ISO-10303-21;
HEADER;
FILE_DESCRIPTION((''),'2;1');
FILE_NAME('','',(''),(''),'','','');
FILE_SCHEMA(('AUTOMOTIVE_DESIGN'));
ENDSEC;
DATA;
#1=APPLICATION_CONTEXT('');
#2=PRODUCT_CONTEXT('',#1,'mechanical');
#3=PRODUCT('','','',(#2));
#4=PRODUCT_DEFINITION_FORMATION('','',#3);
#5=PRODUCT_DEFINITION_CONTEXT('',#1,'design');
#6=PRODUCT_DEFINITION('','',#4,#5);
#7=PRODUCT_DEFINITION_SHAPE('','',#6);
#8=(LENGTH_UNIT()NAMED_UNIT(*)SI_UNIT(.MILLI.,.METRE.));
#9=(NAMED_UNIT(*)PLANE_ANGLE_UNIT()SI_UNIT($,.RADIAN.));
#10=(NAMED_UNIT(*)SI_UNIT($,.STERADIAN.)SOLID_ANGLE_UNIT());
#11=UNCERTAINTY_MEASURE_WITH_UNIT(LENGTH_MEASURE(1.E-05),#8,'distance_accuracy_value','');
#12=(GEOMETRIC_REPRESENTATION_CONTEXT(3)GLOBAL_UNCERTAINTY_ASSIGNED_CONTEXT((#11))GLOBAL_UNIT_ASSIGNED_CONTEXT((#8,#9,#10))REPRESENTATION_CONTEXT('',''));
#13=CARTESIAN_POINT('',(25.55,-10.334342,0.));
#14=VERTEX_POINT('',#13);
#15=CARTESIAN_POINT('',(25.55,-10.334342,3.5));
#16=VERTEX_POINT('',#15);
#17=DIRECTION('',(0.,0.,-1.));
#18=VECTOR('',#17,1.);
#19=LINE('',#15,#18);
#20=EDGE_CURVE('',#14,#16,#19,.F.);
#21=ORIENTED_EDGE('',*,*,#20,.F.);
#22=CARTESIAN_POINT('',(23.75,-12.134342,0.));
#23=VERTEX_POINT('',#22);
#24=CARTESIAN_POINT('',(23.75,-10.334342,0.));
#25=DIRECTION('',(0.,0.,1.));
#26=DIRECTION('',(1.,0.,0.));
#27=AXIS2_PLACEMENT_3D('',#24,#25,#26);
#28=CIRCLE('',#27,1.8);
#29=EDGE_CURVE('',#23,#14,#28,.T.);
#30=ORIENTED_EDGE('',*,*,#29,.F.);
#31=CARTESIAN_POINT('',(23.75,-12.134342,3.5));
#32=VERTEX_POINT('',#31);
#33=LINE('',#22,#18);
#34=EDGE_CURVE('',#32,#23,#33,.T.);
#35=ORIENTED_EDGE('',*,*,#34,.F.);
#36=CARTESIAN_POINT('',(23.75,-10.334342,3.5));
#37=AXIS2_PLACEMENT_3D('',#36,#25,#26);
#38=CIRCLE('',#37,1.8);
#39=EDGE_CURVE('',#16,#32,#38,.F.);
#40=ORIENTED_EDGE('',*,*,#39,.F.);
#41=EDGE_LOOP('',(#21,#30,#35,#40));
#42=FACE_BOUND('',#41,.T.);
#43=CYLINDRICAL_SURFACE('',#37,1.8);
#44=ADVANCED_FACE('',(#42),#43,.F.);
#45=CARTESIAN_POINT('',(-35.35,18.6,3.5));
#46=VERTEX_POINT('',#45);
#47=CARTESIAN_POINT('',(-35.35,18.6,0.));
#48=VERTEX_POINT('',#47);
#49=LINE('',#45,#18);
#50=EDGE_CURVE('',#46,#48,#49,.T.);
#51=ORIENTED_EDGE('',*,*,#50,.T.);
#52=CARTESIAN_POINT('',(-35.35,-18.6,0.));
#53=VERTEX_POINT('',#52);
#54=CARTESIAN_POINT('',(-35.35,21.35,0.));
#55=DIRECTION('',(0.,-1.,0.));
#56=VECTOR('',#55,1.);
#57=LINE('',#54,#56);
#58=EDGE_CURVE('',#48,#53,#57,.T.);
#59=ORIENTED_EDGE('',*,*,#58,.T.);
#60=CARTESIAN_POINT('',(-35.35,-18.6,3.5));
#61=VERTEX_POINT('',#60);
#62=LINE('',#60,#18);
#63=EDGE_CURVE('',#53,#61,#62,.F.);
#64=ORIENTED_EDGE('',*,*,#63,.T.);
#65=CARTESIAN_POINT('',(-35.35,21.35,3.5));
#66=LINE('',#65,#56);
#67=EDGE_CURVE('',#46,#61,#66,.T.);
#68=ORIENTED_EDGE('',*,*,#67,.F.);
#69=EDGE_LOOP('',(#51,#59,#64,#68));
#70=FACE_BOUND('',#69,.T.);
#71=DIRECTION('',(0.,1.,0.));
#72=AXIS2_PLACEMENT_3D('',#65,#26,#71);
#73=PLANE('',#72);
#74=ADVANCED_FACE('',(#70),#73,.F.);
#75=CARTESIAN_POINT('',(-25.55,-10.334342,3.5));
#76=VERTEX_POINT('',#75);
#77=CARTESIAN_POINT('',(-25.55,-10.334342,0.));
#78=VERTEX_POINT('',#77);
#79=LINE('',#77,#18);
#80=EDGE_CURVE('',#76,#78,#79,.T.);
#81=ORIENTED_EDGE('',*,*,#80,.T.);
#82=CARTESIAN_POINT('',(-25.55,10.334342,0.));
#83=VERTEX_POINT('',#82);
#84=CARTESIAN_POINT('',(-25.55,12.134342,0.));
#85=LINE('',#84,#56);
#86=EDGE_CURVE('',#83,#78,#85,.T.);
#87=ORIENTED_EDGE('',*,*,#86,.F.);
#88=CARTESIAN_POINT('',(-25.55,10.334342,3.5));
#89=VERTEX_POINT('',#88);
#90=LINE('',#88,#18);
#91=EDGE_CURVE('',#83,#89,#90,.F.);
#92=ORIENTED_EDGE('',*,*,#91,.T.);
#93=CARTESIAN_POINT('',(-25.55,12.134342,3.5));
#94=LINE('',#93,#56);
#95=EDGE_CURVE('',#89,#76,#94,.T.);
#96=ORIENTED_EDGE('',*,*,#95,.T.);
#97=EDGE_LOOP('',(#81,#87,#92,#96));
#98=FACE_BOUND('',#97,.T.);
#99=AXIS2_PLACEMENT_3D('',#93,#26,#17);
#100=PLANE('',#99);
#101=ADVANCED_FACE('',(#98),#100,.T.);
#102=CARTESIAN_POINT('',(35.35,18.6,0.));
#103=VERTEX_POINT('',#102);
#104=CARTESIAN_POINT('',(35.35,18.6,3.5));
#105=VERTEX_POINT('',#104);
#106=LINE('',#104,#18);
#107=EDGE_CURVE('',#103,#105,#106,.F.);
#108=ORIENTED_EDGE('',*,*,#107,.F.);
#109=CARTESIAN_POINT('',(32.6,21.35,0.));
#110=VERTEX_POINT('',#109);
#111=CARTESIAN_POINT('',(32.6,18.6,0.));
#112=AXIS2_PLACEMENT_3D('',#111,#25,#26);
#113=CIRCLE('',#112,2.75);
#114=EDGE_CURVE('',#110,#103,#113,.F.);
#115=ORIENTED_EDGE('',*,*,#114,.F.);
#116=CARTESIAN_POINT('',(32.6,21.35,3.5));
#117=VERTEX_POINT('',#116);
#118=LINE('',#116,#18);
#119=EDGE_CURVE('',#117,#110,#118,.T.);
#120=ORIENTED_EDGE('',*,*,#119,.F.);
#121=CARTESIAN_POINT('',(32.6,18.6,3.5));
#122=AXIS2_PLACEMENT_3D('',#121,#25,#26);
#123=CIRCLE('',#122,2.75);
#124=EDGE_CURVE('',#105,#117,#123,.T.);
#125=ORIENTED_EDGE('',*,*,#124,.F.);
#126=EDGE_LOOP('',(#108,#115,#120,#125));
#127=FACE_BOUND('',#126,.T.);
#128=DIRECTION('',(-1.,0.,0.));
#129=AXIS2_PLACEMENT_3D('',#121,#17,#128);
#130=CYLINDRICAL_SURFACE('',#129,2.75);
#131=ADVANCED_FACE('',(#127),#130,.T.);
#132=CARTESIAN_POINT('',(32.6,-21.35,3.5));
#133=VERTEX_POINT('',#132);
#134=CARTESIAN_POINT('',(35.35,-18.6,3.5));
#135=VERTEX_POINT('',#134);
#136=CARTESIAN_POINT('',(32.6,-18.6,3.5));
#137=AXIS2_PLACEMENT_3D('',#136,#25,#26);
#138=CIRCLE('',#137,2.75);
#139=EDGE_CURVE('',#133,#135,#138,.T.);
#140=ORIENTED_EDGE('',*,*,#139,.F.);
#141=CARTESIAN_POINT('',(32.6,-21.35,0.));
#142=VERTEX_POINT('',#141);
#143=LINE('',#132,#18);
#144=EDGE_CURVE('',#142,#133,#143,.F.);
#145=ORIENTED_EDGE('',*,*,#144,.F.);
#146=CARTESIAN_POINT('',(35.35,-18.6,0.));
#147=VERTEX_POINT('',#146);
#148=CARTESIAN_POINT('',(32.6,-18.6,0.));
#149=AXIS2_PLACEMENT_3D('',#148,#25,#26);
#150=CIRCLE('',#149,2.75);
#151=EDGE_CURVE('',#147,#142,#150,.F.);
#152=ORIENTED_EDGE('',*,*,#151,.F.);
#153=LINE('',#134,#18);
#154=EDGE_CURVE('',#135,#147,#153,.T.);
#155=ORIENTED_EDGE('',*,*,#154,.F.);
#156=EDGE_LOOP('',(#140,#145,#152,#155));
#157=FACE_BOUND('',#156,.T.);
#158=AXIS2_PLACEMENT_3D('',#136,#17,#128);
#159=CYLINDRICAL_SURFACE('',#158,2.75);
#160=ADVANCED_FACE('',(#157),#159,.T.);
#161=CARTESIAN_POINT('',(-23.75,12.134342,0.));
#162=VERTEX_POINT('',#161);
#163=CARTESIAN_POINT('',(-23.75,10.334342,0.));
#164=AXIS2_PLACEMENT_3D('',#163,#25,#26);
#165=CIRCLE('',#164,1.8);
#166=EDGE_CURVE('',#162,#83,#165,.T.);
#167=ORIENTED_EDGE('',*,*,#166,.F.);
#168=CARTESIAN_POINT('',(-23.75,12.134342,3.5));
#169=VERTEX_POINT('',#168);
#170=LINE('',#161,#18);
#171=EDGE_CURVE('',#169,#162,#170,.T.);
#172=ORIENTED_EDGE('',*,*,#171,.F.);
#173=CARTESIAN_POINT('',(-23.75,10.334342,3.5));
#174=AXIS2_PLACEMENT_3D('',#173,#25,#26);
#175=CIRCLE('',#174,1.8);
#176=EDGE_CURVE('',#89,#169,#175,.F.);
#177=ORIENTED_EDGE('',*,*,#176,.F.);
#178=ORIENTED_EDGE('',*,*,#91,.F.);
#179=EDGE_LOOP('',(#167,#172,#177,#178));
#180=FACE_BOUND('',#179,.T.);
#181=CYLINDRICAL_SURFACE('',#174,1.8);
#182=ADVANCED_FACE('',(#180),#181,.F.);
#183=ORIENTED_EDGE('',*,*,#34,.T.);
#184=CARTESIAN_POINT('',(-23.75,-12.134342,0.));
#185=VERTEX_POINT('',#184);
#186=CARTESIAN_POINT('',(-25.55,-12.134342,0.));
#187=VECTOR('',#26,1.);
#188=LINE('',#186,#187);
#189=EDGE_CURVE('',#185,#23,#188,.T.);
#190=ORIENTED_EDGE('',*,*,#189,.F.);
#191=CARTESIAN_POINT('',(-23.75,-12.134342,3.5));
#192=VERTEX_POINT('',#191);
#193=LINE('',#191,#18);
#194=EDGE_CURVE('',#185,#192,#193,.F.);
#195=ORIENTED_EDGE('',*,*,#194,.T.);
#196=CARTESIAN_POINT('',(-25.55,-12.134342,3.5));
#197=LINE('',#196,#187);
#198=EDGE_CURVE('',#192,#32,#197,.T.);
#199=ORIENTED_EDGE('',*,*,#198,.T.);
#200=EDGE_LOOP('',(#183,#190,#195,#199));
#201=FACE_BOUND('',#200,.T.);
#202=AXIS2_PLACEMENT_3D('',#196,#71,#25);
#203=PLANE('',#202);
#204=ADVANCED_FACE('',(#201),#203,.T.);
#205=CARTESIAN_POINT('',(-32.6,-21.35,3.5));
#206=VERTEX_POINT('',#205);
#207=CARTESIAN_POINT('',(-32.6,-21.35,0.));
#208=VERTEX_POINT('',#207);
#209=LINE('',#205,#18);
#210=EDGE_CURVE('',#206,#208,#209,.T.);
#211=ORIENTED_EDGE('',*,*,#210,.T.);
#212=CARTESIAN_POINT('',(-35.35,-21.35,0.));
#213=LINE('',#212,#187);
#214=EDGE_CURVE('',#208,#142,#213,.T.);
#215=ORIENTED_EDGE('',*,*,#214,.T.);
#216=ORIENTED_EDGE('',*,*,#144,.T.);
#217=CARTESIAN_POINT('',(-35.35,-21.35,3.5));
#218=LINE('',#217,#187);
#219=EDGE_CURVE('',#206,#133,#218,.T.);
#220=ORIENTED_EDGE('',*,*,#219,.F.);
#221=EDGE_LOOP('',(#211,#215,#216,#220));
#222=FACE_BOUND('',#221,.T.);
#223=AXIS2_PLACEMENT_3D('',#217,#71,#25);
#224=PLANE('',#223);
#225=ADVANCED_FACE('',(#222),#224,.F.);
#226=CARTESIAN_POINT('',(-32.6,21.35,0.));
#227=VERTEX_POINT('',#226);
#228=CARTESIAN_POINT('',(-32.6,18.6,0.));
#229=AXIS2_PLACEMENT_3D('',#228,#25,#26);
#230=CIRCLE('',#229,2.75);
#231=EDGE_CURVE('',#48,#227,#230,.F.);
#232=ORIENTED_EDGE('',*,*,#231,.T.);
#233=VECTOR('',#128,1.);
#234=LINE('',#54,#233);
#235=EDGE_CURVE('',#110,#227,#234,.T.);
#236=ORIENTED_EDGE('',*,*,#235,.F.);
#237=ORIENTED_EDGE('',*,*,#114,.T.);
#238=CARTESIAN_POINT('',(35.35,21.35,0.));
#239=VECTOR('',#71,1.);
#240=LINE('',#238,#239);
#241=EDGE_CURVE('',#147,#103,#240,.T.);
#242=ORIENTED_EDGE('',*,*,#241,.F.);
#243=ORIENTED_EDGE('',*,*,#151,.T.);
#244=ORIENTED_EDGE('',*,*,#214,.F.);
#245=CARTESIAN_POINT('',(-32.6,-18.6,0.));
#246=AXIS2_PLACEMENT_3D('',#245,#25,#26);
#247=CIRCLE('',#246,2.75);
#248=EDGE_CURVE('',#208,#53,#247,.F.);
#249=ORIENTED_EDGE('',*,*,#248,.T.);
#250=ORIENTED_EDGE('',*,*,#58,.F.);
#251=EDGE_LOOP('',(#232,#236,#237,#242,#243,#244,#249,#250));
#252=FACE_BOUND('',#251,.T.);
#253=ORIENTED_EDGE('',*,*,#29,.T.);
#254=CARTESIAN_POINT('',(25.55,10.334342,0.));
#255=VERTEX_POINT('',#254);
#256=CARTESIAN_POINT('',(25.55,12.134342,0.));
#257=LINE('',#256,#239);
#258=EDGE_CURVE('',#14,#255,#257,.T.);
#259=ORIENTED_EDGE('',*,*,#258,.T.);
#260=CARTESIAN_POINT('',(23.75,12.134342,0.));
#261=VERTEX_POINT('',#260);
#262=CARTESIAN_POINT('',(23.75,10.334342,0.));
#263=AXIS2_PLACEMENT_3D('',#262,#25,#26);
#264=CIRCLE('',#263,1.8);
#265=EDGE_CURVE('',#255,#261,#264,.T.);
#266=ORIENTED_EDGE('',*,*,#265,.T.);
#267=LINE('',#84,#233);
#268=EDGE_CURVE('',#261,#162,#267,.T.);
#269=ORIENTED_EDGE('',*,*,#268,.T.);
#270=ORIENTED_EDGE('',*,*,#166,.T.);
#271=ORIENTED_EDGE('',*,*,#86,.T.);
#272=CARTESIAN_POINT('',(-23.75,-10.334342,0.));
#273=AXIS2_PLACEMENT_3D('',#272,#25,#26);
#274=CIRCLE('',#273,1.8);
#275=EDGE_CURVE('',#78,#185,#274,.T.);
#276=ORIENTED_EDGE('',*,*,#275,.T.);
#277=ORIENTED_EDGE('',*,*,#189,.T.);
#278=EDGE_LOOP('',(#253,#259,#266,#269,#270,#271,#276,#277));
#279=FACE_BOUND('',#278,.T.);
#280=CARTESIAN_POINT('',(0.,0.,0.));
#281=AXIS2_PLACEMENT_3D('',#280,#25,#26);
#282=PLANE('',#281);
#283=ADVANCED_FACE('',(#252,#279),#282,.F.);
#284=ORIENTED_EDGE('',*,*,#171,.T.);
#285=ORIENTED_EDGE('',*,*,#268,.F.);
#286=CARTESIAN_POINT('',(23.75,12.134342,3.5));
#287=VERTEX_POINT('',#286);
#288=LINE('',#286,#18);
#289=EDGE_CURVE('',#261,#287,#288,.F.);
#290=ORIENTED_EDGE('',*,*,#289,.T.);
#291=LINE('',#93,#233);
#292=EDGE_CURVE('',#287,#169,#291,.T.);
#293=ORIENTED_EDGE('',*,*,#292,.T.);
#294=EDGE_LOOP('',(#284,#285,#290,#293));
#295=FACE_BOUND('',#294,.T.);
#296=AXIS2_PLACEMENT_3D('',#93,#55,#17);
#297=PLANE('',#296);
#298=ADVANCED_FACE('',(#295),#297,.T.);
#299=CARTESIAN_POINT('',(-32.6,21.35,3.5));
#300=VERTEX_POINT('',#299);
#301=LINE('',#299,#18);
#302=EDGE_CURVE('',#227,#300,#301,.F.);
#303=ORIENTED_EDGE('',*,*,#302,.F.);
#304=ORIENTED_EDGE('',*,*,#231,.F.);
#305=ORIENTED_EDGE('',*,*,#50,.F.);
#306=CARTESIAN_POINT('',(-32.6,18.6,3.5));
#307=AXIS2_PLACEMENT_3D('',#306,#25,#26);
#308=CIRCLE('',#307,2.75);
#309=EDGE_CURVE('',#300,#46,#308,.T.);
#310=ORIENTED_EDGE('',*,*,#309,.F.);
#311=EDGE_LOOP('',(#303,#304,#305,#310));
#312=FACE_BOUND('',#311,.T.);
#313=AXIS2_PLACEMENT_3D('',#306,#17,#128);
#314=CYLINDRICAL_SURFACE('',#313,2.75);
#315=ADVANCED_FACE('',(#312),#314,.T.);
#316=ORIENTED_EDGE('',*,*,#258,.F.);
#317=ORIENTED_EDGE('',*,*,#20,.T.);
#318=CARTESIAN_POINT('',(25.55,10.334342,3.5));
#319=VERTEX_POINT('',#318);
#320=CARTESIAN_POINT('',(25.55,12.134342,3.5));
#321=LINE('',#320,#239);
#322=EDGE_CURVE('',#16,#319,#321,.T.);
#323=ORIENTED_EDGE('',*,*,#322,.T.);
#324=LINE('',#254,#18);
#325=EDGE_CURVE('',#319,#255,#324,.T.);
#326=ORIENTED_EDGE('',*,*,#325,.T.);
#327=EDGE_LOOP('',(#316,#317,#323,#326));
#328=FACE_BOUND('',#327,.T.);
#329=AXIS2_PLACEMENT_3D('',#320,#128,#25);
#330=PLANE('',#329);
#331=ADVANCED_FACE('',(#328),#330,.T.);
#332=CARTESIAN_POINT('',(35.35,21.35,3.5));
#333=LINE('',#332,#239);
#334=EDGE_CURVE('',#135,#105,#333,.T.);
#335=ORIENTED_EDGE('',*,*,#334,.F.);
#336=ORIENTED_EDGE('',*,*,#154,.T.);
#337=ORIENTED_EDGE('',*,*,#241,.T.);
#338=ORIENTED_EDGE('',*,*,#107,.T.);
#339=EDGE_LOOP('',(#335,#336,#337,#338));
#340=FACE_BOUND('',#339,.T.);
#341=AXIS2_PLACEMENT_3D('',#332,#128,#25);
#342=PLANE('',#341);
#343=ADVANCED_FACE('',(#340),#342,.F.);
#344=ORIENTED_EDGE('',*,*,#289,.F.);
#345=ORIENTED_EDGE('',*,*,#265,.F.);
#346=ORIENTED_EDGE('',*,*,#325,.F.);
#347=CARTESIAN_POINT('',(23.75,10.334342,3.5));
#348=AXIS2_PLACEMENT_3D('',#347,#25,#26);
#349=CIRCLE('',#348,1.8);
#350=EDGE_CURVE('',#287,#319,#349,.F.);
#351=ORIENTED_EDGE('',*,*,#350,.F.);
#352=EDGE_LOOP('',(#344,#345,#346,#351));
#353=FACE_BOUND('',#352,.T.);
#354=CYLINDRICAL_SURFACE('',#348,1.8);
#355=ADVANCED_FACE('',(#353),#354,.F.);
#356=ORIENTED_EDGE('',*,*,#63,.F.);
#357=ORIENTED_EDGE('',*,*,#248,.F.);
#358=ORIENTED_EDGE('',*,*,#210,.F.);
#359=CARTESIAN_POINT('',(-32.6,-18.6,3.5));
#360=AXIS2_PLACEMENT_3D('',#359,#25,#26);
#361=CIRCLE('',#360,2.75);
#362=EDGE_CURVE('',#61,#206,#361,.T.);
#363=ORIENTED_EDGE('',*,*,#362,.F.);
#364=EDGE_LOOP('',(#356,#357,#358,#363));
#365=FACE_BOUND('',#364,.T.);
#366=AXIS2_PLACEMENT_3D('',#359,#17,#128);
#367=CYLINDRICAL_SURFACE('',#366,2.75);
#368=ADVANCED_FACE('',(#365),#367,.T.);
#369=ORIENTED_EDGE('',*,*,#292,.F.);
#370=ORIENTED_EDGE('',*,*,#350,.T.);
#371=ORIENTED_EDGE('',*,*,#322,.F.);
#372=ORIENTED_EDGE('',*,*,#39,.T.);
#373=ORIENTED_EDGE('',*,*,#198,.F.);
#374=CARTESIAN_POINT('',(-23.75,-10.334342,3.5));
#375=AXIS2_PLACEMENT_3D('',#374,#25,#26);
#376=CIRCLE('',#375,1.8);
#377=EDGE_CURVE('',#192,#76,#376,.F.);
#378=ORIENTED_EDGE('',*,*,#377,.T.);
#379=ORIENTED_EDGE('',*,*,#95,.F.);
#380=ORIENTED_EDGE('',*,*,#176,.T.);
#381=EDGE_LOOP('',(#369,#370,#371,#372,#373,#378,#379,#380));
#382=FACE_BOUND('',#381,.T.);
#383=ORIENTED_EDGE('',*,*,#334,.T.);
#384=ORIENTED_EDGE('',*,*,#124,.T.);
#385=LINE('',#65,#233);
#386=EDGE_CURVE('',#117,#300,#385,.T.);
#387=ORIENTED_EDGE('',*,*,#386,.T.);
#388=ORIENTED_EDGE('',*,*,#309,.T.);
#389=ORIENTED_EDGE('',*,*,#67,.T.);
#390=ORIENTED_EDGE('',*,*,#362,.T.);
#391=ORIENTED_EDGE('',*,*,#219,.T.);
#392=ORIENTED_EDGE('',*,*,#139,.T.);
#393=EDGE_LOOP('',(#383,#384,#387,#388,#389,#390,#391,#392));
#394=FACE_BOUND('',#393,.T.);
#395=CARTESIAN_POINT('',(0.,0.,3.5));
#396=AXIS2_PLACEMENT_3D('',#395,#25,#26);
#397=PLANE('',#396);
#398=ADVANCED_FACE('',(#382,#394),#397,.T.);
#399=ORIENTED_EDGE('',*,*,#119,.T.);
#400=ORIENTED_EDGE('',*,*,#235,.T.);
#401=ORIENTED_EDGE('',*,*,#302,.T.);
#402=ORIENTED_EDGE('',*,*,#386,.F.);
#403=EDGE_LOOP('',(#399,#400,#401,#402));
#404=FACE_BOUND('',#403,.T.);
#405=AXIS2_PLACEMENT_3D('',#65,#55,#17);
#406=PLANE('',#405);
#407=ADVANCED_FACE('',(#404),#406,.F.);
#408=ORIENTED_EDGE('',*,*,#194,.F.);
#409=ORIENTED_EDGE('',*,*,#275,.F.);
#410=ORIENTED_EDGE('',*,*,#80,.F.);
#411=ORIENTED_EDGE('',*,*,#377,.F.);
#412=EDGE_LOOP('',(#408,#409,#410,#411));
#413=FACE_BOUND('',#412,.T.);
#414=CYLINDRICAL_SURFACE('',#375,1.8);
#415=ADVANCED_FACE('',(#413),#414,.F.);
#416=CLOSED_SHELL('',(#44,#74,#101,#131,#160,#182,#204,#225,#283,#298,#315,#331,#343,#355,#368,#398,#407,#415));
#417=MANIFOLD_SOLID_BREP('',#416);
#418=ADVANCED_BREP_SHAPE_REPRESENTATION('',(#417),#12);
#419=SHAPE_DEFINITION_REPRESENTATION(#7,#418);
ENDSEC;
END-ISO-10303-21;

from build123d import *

# Parameters (mm, degrees)
SKETCH1_W           = 70.7
SKETCH1_H           = 42.7
SKETCH1_W_2         = 51.1
SKETCH1_H_2         = 24.268683634
BOSS_EXTRUDE1_DEPTH = 3.5
FILLET1_R           = 2.75
FILLET2_R           = 1.8


with BuildPart() as part:
    # Sketch1 → Boss-Extrude1 (new body)
    with BuildSketch(Plane.XY):
        Rectangle(SKETCH1_W, SKETCH1_H)
        Rectangle(SKETCH1_W_2, SKETCH1_H_2, mode=Mode.SUBTRACT)
    extrude(amount=BOSS_EXTRUDE1_DEPTH)

    # Fillet1
    fillet1_edges = [part.edges().sort_by_distance(p)[0] for p in [
        (35.35, -21.35, 1.75),
        (-35.35, -21.35, 1.75),
        (-35.35, 21.35, 1.75),
        (35.35, 21.35, 1.75),
    ]]
    fillet(fillet1_edges, radius=FILLET1_R)

    # Fillet2
    fillet2_edges = [part.edges().sort_by_distance(p)[0] for p in [
        (25.55, -12.134341817, 1.75),
        (25.55, 12.134341817, 1.75),
        (-25.55, 12.134341817, 1.75),
        (-25.55, -12.134341817, 1.75),
    ]]
    fillet(fillet2_edges, radius=FILLET2_R)


solid = part.part
